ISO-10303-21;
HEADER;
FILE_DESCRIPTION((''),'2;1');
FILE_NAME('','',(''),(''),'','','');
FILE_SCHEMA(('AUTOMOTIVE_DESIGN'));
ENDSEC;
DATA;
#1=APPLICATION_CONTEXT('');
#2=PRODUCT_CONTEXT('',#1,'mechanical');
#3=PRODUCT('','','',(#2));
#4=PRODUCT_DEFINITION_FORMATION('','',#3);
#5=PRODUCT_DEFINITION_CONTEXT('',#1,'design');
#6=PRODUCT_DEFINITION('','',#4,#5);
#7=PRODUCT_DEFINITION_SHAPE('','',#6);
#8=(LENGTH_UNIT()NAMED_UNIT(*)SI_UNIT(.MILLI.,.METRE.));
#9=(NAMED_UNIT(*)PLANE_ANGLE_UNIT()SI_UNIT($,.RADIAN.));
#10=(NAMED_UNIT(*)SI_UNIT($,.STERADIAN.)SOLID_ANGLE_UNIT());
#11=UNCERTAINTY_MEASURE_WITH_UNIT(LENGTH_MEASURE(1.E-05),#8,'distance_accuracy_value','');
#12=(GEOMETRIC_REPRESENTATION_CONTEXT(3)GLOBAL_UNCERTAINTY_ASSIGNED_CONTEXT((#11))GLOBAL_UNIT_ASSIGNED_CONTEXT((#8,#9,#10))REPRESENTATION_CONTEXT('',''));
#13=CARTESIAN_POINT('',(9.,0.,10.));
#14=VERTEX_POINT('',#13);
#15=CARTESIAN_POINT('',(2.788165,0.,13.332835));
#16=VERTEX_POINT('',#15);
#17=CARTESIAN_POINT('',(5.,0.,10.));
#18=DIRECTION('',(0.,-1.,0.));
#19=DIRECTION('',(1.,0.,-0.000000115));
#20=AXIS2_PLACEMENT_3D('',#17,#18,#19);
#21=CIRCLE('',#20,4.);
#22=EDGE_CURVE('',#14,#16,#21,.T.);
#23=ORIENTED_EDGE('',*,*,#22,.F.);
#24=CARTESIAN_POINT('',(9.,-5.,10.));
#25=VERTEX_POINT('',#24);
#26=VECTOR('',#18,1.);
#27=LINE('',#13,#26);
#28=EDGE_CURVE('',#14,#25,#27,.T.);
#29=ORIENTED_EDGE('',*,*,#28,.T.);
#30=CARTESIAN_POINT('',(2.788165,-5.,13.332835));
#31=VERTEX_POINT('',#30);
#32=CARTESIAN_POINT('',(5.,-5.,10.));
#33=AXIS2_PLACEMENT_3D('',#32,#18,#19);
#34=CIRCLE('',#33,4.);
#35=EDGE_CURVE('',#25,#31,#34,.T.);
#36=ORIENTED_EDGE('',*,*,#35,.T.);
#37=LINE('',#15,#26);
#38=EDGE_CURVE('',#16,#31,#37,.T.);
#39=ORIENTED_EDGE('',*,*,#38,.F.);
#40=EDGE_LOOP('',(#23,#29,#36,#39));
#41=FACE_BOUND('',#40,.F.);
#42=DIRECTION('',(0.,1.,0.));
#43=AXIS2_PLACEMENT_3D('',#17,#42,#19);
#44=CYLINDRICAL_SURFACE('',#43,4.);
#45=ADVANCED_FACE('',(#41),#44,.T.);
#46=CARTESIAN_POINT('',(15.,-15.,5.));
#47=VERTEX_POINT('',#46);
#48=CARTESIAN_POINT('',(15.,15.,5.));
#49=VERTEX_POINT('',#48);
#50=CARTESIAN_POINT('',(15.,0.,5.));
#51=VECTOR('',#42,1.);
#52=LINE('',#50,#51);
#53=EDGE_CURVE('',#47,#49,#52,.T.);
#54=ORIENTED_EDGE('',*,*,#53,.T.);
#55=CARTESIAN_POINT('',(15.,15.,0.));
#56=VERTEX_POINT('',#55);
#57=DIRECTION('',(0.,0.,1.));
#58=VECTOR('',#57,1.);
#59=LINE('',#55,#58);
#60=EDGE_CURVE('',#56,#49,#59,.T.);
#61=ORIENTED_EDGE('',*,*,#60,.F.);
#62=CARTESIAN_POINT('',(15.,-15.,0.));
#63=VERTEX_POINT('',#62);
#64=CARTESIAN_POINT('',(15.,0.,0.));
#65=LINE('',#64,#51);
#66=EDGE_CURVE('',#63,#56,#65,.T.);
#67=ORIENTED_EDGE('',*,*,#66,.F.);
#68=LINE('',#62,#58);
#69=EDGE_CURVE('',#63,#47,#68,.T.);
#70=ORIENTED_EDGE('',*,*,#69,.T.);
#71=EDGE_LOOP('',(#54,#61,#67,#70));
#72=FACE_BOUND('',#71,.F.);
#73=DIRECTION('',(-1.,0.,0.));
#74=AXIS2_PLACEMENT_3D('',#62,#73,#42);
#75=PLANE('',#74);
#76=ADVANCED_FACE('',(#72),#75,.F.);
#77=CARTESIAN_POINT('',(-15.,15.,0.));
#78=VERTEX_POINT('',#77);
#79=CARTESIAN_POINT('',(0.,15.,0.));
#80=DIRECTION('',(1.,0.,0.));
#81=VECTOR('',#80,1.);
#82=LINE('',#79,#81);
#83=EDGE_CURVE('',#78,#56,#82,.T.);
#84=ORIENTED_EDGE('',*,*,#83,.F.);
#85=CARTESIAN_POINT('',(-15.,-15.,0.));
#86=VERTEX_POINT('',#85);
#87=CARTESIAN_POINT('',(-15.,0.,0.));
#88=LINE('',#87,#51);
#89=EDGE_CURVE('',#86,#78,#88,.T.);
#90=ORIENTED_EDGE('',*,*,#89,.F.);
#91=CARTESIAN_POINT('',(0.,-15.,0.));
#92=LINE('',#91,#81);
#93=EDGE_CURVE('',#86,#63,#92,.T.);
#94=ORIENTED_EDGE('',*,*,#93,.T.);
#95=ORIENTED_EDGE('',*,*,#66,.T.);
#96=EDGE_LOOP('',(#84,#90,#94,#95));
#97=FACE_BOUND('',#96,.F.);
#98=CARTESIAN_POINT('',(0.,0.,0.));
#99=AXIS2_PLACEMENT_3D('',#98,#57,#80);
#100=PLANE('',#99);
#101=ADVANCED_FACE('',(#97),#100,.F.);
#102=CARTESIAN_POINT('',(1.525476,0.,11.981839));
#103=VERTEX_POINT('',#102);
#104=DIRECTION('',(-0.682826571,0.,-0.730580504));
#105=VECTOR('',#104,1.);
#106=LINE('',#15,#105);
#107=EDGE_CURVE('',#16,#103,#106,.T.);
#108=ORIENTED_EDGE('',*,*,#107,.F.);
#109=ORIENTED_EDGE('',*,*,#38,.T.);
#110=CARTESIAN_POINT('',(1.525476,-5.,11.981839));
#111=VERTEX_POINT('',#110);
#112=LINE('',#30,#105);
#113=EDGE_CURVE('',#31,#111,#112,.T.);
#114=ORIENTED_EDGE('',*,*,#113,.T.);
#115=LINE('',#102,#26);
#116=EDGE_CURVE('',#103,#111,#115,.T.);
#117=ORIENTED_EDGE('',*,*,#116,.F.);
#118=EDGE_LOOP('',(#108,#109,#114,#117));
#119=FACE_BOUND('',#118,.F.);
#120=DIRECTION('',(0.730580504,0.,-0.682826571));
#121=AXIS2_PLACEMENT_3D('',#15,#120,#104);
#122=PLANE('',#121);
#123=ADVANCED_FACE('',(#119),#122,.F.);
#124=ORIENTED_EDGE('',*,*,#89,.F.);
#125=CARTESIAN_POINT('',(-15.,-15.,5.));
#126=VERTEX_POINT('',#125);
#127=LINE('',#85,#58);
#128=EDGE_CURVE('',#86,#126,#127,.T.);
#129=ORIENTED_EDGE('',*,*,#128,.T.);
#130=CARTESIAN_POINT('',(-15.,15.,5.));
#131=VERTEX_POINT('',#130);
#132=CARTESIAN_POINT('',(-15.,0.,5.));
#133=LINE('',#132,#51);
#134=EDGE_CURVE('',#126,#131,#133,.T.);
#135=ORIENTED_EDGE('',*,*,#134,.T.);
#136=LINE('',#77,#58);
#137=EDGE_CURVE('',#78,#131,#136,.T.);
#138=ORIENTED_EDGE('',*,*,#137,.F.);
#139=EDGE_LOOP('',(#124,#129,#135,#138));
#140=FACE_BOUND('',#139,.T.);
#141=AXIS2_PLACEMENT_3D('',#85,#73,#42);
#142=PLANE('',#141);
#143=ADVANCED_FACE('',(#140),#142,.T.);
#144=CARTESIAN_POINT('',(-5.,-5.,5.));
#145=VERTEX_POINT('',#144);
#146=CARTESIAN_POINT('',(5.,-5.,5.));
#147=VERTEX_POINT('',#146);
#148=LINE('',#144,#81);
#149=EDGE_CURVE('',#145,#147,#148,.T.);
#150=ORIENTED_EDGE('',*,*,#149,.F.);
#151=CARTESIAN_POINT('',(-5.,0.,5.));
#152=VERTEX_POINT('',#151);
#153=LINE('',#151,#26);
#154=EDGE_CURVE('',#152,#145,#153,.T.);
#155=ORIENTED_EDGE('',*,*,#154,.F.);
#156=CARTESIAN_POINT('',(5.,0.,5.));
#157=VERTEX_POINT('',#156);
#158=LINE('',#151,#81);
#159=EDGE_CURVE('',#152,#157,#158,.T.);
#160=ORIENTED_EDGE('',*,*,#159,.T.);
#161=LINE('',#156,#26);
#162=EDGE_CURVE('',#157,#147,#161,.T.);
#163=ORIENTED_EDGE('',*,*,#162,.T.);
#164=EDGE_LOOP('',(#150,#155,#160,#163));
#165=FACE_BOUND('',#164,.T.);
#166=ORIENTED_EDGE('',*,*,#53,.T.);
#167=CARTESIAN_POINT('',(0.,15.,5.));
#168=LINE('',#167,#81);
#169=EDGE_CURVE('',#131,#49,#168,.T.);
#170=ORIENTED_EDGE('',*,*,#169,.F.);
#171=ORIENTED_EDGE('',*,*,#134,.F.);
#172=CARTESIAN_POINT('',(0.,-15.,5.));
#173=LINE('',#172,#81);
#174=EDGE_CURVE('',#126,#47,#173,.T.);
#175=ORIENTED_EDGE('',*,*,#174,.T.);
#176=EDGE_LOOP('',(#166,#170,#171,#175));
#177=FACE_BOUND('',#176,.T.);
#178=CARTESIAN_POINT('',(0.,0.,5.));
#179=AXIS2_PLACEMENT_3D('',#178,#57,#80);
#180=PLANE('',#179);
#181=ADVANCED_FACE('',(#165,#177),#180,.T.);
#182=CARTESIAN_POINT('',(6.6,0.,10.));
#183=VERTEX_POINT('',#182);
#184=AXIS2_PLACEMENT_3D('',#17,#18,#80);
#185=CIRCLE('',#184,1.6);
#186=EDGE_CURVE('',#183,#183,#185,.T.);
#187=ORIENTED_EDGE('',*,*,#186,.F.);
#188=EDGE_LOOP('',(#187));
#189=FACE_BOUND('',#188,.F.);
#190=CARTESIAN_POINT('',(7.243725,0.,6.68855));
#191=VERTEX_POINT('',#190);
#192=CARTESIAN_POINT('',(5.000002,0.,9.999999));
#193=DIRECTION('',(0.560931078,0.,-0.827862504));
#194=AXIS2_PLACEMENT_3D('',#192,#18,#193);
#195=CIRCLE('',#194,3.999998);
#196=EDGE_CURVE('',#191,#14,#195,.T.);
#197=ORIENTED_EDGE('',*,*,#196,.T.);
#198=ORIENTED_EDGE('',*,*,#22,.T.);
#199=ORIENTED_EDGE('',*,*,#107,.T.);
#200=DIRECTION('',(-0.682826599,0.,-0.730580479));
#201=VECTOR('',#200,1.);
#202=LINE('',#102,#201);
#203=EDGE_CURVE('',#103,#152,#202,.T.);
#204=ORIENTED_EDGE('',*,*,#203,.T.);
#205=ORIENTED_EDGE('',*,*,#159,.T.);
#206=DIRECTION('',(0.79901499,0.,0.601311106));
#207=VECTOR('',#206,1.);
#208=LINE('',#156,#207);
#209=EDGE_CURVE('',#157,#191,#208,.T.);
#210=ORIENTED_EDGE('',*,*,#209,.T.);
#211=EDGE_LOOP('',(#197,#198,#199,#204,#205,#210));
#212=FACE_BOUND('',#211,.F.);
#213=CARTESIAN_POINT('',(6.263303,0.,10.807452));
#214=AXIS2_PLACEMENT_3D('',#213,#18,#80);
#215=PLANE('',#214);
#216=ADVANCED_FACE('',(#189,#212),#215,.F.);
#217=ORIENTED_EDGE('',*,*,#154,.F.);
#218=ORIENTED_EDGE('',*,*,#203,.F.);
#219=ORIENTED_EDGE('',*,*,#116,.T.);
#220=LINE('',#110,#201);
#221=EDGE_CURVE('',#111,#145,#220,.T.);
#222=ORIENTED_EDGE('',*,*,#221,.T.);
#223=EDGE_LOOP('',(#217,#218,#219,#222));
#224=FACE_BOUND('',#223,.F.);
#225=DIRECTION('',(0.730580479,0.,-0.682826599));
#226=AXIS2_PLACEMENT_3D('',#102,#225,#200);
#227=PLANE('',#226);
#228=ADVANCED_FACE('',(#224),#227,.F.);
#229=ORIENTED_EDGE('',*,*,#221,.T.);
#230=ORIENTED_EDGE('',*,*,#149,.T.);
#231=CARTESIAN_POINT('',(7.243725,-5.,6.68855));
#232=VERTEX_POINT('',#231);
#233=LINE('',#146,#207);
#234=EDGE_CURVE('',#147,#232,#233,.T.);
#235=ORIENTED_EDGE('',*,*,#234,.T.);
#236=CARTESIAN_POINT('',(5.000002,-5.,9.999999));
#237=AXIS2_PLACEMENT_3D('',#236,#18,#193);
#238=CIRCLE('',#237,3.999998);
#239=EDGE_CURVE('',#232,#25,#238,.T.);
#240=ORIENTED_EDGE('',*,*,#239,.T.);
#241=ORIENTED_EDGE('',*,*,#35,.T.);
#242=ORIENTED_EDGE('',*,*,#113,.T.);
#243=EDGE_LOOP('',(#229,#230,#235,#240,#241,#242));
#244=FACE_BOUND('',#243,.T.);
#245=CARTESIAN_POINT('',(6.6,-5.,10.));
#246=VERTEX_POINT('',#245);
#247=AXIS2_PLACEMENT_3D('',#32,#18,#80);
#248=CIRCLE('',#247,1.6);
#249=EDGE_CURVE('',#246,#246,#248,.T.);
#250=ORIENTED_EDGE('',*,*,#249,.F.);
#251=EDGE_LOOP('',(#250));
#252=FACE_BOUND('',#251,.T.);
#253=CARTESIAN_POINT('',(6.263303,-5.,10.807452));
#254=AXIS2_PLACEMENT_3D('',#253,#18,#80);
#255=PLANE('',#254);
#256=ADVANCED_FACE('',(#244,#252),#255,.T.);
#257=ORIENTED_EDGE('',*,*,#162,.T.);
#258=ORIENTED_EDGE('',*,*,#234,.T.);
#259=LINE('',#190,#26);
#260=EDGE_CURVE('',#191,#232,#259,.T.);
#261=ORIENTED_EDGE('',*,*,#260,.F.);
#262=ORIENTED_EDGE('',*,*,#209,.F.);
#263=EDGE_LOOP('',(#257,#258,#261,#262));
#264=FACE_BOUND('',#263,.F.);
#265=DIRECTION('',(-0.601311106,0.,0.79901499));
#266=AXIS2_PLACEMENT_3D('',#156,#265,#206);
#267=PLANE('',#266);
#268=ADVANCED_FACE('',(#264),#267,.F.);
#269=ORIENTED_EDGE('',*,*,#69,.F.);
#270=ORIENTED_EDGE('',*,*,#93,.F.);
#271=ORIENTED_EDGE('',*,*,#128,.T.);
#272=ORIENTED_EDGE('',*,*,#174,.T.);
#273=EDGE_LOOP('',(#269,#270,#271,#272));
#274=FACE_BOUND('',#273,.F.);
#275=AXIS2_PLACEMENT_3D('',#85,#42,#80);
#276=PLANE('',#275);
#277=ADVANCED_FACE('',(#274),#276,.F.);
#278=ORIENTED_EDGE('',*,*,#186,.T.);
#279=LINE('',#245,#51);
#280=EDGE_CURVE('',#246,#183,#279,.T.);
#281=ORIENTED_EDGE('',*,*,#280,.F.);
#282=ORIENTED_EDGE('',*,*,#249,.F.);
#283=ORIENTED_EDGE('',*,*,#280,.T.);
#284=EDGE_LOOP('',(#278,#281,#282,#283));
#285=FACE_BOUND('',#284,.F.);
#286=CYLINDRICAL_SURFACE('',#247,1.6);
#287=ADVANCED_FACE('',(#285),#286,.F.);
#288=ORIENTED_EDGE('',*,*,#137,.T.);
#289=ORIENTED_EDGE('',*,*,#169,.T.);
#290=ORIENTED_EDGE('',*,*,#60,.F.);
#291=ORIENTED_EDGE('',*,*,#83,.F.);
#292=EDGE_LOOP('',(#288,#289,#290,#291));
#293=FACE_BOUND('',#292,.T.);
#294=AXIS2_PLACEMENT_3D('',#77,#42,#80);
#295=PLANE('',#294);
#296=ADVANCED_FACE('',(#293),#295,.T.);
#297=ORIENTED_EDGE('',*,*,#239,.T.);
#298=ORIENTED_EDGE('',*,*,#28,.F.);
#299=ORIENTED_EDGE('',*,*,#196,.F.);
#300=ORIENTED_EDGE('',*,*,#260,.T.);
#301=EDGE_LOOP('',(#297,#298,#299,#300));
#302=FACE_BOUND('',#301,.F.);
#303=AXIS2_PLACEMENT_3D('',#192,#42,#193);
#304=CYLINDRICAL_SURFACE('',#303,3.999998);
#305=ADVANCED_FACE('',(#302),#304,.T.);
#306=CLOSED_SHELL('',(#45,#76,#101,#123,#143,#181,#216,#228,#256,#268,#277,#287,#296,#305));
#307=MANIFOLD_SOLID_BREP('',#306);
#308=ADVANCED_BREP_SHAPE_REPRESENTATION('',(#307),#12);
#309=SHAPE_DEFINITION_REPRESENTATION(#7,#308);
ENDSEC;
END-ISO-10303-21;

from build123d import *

# Parameters (mm, degrees)
F0_W     = 30
F0_H     = 30
F1_DEPTH = 5
F3_DEPTH = 5
F4_R     = 1.6
F5_DEPTH = 20.001


with BuildPart() as f1:
    # F0 (on Top) → F1 (new body)
    with BuildSketch(Plane.XY):
        Rectangle(F0_W, F0_H)
    extrude(amount=F1_DEPTH)

    # F2 (on Front) → F3 (join)
    with BuildSketch(Plane.XZ):
        with BuildLine():
            Line((2.788165, 13.332835), (7.243725, 6.68855))
            ThreePointArc((7.243725, 6.68855), (8.533759, 8.12582), (9, 10))
            ThreePointArc((9, 10), (6.891119, 13.524723), (2.788165, 13.332835))
        make_face()
        with BuildLine():
            Line((5, 10), (5, 6))
            ThreePointArc((5, 6), (6.173499, 6.17601), (7.243725, 6.68855))
            Line((7.243725, 6.68855), (2.788165, 13.332835))
            Line((2.788165, 13.332835), (1.525476, 11.981839))
            ThreePointArc((1.525476, 11.981839), (1.1336, 11.02516), (1, 10))
            Line((1, 10), (5, 10))
        make_face()
        with BuildLine():
            ThreePointArc((1, 10), (2.171573, 7.171573), (5, 6))
            Line((5, 6), (5, 10))
            Line((5, 10), (1, 10))
        make_face()
        with BuildLine():
            Line((-3.147079, 5), (0, 5))
            Line((0, 5), (0, 10))
            Line((0, 10), (1, 10))
            ThreePointArc((1, 10), (1.1336, 11.02516), (1.525476, 11.981839))
            Line((1.525476, 11.981839), (-5, 5))
            Line((-5, 5), (-3.147079, 5))
        make_face()
        with BuildLine():
            Line((0, 10), (0, 5))
            Line((0, 5), (5, 5))
            Line((5, 5), (5, 6))
            ThreePointArc((5, 6), (2.171573, 7.171573), (1, 10))
            Line((1, 10), (0, 10))
        make_face()
        with BuildLine():
            Line((5, 6), (5, 5))
            Line((5, 5), (7.243725, 6.68855))
            ThreePointArc((7.243725, 6.68855), (6.173499, 6.17601), (5, 6))
        make_face()
    extrude(amount=F3_DEPTH)

    # F4 (on face) → F5 (cut, through all)
    with BuildSketch(Plane.XZ.offset(5)):
        with Locations((5, 10)):
            Circle(F4_R)
    extrude(amount=-F5_DEPTH, mode=Mode.SUBTRACT)


solid = f1.part
